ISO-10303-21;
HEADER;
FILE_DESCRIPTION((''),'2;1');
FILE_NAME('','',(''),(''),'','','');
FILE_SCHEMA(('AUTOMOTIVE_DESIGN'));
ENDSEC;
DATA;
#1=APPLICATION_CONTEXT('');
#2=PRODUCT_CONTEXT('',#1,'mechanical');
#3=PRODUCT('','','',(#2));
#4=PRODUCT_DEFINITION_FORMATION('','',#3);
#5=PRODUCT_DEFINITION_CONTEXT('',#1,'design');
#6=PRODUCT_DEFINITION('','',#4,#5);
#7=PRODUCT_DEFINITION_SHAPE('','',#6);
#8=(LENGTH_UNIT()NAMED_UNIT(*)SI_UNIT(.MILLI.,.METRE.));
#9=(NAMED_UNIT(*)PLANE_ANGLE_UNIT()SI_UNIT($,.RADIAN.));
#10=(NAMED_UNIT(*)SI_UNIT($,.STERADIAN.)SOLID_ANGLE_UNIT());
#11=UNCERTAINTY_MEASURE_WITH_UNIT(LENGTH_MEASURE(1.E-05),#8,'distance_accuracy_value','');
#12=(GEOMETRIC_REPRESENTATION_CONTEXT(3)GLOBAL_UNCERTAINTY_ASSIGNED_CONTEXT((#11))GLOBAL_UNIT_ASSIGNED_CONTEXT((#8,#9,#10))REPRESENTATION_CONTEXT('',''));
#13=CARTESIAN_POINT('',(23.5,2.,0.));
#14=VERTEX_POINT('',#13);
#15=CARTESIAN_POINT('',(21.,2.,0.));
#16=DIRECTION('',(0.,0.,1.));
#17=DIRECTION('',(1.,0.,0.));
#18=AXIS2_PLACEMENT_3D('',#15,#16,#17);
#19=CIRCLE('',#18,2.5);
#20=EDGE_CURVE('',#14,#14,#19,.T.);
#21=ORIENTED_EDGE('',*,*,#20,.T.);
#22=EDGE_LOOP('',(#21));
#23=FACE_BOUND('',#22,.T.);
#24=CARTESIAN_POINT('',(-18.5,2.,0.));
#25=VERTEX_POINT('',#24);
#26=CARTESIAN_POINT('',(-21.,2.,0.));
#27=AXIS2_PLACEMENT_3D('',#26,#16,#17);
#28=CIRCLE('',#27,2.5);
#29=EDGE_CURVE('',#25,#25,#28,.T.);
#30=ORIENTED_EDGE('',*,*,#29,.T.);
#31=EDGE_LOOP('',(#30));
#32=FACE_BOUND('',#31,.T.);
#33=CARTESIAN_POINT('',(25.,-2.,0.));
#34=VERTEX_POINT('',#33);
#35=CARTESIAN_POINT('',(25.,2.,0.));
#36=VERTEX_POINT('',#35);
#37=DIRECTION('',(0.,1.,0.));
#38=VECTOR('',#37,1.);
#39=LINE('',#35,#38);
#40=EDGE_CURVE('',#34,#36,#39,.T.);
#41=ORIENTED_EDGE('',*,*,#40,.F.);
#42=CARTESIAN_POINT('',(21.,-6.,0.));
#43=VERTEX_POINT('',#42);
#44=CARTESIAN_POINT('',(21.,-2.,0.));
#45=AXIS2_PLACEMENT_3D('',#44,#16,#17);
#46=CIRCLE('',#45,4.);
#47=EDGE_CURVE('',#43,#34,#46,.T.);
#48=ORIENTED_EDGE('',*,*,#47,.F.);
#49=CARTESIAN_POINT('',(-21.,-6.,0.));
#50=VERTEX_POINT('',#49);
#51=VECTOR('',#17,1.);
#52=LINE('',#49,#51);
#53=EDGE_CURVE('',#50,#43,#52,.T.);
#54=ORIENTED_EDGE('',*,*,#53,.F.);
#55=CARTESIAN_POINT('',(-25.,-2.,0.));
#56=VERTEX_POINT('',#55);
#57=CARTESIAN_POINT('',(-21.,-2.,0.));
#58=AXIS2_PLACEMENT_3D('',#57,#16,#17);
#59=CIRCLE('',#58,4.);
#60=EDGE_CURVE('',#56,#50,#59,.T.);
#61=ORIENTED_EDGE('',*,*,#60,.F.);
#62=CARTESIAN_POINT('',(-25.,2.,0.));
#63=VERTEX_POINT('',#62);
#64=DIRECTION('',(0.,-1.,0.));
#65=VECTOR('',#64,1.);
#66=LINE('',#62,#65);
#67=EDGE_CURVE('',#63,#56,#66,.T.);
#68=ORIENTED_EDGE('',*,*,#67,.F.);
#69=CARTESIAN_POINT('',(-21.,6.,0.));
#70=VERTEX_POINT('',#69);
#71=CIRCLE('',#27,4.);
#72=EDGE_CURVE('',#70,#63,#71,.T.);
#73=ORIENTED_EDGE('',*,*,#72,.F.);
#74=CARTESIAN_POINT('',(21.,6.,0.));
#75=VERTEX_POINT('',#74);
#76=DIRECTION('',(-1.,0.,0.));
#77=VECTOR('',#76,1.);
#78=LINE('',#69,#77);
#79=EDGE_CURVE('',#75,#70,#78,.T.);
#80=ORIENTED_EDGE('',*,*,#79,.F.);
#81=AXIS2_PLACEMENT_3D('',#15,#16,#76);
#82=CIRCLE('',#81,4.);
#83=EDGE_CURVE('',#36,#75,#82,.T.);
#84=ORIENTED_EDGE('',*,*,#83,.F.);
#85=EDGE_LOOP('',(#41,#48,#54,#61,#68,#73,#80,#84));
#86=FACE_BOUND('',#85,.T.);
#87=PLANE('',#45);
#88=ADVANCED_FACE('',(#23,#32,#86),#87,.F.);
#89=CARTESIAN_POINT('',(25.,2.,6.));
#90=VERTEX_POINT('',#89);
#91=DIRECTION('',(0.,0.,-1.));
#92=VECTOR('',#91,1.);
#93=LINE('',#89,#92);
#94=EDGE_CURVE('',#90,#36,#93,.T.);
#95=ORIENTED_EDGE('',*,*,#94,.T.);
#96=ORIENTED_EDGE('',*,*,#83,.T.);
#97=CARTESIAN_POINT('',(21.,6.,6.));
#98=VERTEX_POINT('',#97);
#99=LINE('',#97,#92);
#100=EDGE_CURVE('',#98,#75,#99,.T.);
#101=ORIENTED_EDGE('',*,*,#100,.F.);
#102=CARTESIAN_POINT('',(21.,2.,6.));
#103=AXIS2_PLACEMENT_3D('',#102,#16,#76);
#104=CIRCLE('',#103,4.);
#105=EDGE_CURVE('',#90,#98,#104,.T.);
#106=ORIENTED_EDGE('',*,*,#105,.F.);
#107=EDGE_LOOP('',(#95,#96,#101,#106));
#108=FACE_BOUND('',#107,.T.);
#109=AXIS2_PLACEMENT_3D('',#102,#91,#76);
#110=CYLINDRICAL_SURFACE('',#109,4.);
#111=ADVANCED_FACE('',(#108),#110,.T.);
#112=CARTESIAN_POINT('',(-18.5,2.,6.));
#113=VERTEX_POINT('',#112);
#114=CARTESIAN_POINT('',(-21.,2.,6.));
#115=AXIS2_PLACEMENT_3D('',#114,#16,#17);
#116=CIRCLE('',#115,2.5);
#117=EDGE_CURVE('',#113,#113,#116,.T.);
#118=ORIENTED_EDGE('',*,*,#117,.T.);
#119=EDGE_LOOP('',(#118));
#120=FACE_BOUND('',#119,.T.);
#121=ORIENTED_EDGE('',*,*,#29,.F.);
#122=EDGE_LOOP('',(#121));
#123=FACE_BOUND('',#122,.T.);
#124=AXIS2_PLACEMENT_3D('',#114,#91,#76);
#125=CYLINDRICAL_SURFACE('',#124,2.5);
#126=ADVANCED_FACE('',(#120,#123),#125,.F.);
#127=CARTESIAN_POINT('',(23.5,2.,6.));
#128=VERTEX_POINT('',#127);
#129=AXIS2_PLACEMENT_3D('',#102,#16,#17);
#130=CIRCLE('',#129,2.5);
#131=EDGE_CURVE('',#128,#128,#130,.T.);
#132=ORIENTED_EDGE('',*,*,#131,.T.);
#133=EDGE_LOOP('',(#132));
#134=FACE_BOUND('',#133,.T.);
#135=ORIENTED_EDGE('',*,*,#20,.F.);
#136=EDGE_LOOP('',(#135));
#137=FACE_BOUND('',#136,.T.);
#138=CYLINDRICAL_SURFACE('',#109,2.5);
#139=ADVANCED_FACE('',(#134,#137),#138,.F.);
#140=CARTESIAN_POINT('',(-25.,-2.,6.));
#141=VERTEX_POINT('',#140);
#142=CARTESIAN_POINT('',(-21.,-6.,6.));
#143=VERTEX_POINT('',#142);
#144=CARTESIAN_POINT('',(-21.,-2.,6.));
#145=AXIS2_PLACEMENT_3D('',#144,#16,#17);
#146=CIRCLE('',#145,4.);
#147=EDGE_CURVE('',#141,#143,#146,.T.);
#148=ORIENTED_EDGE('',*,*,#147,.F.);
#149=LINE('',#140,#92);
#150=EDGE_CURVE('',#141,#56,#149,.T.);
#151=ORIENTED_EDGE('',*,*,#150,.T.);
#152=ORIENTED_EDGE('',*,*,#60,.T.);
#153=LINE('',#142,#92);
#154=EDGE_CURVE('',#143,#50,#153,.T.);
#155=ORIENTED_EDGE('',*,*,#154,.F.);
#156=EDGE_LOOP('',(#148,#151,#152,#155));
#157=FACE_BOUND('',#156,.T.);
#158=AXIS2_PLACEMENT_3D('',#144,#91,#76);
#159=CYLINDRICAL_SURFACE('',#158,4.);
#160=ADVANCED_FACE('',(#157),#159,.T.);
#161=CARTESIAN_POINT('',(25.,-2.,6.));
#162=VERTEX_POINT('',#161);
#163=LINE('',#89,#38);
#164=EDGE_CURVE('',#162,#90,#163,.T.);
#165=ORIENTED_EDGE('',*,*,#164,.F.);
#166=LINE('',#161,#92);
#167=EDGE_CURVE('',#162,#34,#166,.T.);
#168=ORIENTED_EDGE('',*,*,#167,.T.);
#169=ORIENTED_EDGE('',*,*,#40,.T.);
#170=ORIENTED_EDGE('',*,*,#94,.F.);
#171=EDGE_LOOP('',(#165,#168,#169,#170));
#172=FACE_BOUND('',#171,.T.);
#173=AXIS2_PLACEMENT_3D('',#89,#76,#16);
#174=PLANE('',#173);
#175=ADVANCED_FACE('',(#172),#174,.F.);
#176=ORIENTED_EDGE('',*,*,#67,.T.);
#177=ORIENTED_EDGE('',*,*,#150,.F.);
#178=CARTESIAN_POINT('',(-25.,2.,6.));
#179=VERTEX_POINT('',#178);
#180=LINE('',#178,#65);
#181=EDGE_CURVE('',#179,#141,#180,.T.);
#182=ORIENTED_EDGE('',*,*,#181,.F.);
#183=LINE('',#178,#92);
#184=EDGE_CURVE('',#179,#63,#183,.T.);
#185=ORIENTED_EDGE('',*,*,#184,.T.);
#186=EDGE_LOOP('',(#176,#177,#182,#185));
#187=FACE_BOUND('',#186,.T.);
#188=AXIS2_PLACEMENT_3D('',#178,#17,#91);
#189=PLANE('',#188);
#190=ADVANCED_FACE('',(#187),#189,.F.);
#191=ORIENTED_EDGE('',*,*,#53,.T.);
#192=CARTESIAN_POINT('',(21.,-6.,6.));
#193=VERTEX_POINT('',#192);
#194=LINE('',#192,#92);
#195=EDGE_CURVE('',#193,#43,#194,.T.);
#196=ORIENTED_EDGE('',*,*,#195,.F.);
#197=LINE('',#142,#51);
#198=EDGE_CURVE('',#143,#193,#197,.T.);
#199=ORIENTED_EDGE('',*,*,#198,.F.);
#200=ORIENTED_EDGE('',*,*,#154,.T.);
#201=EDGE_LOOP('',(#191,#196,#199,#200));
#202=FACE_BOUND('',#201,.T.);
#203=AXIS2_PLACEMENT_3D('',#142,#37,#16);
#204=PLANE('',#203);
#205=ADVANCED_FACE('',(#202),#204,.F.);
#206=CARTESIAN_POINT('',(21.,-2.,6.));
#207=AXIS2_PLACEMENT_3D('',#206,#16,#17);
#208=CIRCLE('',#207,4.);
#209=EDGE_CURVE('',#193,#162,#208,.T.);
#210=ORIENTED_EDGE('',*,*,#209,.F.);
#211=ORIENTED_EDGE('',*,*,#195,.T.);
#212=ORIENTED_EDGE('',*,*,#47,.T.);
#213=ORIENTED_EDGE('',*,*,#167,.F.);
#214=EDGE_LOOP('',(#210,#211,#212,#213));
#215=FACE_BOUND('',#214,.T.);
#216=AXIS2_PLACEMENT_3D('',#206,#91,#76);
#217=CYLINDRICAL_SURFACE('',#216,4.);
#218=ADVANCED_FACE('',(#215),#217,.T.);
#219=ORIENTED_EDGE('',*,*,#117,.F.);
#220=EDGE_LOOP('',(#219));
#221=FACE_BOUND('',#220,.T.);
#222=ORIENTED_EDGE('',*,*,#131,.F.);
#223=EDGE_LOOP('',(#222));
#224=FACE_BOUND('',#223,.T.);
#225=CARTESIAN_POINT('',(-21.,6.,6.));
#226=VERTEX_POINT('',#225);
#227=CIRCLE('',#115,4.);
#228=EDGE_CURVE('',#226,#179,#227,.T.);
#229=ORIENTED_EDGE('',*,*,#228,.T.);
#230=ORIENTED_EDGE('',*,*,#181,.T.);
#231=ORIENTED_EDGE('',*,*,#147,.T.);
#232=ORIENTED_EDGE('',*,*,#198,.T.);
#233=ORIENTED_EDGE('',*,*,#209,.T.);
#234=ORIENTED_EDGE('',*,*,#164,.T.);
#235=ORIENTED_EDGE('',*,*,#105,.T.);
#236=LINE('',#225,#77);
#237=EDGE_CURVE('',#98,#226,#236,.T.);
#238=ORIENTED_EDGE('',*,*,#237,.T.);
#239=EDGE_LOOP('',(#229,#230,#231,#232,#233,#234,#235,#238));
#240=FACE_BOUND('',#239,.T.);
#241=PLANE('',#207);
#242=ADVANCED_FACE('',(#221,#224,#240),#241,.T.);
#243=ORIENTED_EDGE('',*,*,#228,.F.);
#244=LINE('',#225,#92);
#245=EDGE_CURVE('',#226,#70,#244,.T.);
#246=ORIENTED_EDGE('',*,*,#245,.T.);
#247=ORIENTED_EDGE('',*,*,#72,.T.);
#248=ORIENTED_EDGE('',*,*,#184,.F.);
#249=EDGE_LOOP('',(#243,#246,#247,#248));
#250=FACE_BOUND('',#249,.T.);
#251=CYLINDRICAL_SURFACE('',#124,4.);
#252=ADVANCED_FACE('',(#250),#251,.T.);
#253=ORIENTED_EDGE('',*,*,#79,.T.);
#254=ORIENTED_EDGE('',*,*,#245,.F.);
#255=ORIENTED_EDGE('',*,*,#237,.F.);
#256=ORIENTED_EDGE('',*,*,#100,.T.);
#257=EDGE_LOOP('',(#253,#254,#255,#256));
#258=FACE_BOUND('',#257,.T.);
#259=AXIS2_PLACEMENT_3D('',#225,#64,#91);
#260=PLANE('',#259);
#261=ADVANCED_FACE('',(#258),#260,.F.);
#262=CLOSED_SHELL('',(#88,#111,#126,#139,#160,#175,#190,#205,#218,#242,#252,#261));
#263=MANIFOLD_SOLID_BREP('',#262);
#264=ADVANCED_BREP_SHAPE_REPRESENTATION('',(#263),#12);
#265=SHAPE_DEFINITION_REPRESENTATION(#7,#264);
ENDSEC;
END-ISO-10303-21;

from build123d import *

# Parameters (mm, degrees)
SKETCH1_R           = 2.5
BOSS_EXTRUDE3_DEPTH = 6


with BuildPart() as part:
    # Sketch1 → Boss-Extrude3 (new body)
    with BuildSketch(Plane.XY):
        with BuildLine():
            Line((-21, 6), (21, 6))
            ThreePointArc((21, 6), (23.828427125, 4.828427125), (25, 2))
            Line((25, 2), (25, -2))
            ThreePointArc((25, -2), (23.828427125, -4.828427125), (21, -6))
            Line((21, -6), (-21, -6))
            ThreePointArc((-21, -6), (-23.828427125, -4.828427125), (-25, -2))
            Line((-25, -2), (-25, 2))
            ThreePointArc((-25, 2), (-23.828427125, 4.828427125), (-21, 6))
        make_face()
        with Locations((-21, 2)):
            Circle(SKETCH1_R, mode=Mode.SUBTRACT)
        with Locations((21, 2)):
            Circle(SKETCH1_R, mode=Mode.SUBTRACT)
    extrude(amount=BOSS_EXTRUDE3_DEPTH)


solid = part.part
